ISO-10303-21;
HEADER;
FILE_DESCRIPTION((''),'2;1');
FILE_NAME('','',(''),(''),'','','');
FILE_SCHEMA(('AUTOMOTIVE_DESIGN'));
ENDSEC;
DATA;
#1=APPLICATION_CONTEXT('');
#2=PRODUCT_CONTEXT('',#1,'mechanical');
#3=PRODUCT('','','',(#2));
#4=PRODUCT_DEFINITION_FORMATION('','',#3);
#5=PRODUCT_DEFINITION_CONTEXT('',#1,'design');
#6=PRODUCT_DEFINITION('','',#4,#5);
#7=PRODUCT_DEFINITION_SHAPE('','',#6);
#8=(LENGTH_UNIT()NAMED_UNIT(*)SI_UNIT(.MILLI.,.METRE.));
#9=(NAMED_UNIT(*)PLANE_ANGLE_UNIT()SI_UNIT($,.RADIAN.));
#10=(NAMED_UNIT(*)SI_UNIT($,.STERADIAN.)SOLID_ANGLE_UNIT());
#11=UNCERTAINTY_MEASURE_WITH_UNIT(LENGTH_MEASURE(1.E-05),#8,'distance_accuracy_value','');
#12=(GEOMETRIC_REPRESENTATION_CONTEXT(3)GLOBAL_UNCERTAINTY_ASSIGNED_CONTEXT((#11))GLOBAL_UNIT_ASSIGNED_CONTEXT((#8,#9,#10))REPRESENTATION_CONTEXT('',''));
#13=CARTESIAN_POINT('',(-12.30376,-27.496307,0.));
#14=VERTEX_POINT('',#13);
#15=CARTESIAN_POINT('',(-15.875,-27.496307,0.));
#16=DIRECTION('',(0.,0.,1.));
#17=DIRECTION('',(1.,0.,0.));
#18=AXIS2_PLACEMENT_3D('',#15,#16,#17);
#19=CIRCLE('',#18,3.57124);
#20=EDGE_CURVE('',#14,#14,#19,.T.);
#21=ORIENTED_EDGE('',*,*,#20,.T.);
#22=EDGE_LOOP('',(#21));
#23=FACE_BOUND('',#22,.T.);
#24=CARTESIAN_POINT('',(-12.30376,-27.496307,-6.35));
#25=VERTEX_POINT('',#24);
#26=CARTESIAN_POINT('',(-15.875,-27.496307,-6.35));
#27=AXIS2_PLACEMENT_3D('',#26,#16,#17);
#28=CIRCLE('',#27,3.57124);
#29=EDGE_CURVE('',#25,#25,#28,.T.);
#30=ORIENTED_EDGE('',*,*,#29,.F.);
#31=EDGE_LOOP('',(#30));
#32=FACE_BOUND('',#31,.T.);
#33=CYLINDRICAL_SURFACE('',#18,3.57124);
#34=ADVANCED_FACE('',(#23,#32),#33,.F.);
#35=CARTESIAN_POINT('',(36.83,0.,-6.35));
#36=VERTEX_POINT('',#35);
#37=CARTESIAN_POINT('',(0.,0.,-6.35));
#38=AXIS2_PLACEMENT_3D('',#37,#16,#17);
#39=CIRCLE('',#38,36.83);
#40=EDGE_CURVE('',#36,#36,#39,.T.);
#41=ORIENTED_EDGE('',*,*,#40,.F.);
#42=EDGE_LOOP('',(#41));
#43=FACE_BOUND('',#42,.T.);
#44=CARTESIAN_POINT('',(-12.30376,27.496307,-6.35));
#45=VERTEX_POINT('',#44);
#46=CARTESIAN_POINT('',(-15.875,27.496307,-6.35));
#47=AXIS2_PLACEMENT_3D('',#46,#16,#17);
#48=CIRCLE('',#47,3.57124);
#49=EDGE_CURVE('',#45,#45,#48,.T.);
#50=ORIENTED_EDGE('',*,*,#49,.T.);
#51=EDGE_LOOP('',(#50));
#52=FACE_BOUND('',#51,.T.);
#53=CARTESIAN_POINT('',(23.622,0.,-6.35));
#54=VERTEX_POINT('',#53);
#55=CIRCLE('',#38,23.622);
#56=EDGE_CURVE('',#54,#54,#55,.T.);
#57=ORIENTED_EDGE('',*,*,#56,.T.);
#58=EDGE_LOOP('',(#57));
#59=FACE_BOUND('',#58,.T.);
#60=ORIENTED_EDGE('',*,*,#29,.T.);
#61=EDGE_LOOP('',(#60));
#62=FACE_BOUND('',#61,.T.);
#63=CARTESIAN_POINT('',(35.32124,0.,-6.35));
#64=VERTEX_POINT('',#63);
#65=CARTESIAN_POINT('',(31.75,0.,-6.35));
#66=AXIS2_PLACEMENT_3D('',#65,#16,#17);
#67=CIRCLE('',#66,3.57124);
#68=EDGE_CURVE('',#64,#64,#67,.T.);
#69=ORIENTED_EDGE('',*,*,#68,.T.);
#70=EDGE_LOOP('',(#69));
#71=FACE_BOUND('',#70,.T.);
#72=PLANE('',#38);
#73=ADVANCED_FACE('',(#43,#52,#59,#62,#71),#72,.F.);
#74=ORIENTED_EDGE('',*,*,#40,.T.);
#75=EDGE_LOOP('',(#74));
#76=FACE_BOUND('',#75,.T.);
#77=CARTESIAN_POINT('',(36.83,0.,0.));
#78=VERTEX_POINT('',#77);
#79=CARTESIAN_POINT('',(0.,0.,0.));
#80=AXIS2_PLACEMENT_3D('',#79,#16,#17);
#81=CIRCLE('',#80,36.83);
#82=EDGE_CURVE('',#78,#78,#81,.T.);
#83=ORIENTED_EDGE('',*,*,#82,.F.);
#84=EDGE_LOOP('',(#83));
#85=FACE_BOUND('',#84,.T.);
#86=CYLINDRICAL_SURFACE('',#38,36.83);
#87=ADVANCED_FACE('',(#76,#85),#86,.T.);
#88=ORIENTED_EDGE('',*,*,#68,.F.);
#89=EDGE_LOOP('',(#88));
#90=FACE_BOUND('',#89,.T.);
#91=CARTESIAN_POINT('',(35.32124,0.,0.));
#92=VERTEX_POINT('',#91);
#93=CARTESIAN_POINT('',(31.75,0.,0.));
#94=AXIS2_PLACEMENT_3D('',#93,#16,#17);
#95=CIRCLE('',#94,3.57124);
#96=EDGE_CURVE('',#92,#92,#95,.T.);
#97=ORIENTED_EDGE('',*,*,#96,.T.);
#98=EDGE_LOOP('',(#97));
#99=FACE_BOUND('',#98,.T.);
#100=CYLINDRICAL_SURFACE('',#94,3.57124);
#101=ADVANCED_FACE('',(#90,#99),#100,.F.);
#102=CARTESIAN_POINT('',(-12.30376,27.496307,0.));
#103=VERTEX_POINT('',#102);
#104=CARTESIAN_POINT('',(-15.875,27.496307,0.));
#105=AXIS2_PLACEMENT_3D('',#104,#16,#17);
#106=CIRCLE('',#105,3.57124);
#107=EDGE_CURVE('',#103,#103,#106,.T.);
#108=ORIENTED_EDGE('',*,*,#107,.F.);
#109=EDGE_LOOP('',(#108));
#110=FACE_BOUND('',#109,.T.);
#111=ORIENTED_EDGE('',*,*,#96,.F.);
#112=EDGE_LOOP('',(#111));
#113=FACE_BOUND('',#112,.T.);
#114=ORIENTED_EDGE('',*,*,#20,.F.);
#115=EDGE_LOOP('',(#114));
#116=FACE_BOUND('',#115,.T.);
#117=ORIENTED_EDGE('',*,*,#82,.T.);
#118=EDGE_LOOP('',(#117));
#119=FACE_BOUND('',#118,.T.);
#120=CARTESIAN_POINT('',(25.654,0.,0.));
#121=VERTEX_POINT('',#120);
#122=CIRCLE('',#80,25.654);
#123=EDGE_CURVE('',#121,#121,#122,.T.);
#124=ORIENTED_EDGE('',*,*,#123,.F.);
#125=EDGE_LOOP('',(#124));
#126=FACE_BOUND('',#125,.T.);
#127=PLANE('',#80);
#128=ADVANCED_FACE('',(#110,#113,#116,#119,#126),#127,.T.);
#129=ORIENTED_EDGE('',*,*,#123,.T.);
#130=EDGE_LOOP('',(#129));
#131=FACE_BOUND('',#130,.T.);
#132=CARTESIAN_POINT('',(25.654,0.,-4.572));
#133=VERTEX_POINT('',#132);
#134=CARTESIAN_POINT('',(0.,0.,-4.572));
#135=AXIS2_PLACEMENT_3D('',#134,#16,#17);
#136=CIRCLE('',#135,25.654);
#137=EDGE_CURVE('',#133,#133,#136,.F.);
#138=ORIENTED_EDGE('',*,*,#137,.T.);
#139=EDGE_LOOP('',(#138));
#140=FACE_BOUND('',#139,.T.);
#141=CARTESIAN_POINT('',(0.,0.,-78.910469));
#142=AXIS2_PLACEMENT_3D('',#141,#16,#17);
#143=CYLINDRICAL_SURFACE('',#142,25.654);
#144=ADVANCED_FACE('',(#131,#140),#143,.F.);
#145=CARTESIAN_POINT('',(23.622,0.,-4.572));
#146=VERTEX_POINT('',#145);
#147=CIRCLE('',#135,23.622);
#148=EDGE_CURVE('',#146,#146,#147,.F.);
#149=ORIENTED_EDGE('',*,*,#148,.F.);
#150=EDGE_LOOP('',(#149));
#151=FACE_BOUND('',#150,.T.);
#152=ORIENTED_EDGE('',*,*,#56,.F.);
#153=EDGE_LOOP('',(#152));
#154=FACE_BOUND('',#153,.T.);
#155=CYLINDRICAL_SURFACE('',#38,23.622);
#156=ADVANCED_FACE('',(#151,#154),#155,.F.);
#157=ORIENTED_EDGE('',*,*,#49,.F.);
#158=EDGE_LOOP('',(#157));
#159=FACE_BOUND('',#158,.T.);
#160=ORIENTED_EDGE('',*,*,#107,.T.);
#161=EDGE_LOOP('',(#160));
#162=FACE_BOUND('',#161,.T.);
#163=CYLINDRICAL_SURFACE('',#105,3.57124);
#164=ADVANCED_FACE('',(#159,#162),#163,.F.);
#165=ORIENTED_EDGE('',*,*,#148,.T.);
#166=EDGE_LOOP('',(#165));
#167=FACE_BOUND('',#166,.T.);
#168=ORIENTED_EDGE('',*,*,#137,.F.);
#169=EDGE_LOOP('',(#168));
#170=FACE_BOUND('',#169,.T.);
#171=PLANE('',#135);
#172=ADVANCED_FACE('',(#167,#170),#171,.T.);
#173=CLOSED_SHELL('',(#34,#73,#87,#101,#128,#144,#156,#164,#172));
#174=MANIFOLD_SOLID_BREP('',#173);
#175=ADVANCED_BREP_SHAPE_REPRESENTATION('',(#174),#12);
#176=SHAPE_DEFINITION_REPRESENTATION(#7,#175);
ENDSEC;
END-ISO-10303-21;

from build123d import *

# Parameters (mm, degrees)
SKETCH_R                = 36.83
SKETCH_R_2              = 23.622
BOSS_EXTRUDE1_DEPTH     = 6.35
SKETCH1_R               = 25.654
CUT_EXTRUDE1_DEPTH      = 4.572
F_1_4_CLEARANCE_HOLE1_D = 7.14248


with BuildPart() as part:
    # Sketch → Boss-Extrude1 (new body)
    with BuildSketch(Plane.XY):
        Circle(SKETCH_R)
        Circle(SKETCH_R_2, mode=Mode.SUBTRACT)
    extrude(amount=-BOSS_EXTRUDE1_DEPTH)

    # Sketch1 → Cut-Extrude1 (cut)
    with BuildSketch(Plane.XY):
        Circle(SKETCH1_R)
    extrude(amount=-CUT_EXTRUDE1_DEPTH, mode=Mode.SUBTRACT)

    # 1/4 Clearance Hole1 (through all)
    with Locations(Plane.XY):
        with Locations((31.75, 0), (-15.875, -27.49630657), (-15.875, 27.49630657)):
            Hole(F_1_4_CLEARANCE_HOLE1_D / 2)


solid = part.part
